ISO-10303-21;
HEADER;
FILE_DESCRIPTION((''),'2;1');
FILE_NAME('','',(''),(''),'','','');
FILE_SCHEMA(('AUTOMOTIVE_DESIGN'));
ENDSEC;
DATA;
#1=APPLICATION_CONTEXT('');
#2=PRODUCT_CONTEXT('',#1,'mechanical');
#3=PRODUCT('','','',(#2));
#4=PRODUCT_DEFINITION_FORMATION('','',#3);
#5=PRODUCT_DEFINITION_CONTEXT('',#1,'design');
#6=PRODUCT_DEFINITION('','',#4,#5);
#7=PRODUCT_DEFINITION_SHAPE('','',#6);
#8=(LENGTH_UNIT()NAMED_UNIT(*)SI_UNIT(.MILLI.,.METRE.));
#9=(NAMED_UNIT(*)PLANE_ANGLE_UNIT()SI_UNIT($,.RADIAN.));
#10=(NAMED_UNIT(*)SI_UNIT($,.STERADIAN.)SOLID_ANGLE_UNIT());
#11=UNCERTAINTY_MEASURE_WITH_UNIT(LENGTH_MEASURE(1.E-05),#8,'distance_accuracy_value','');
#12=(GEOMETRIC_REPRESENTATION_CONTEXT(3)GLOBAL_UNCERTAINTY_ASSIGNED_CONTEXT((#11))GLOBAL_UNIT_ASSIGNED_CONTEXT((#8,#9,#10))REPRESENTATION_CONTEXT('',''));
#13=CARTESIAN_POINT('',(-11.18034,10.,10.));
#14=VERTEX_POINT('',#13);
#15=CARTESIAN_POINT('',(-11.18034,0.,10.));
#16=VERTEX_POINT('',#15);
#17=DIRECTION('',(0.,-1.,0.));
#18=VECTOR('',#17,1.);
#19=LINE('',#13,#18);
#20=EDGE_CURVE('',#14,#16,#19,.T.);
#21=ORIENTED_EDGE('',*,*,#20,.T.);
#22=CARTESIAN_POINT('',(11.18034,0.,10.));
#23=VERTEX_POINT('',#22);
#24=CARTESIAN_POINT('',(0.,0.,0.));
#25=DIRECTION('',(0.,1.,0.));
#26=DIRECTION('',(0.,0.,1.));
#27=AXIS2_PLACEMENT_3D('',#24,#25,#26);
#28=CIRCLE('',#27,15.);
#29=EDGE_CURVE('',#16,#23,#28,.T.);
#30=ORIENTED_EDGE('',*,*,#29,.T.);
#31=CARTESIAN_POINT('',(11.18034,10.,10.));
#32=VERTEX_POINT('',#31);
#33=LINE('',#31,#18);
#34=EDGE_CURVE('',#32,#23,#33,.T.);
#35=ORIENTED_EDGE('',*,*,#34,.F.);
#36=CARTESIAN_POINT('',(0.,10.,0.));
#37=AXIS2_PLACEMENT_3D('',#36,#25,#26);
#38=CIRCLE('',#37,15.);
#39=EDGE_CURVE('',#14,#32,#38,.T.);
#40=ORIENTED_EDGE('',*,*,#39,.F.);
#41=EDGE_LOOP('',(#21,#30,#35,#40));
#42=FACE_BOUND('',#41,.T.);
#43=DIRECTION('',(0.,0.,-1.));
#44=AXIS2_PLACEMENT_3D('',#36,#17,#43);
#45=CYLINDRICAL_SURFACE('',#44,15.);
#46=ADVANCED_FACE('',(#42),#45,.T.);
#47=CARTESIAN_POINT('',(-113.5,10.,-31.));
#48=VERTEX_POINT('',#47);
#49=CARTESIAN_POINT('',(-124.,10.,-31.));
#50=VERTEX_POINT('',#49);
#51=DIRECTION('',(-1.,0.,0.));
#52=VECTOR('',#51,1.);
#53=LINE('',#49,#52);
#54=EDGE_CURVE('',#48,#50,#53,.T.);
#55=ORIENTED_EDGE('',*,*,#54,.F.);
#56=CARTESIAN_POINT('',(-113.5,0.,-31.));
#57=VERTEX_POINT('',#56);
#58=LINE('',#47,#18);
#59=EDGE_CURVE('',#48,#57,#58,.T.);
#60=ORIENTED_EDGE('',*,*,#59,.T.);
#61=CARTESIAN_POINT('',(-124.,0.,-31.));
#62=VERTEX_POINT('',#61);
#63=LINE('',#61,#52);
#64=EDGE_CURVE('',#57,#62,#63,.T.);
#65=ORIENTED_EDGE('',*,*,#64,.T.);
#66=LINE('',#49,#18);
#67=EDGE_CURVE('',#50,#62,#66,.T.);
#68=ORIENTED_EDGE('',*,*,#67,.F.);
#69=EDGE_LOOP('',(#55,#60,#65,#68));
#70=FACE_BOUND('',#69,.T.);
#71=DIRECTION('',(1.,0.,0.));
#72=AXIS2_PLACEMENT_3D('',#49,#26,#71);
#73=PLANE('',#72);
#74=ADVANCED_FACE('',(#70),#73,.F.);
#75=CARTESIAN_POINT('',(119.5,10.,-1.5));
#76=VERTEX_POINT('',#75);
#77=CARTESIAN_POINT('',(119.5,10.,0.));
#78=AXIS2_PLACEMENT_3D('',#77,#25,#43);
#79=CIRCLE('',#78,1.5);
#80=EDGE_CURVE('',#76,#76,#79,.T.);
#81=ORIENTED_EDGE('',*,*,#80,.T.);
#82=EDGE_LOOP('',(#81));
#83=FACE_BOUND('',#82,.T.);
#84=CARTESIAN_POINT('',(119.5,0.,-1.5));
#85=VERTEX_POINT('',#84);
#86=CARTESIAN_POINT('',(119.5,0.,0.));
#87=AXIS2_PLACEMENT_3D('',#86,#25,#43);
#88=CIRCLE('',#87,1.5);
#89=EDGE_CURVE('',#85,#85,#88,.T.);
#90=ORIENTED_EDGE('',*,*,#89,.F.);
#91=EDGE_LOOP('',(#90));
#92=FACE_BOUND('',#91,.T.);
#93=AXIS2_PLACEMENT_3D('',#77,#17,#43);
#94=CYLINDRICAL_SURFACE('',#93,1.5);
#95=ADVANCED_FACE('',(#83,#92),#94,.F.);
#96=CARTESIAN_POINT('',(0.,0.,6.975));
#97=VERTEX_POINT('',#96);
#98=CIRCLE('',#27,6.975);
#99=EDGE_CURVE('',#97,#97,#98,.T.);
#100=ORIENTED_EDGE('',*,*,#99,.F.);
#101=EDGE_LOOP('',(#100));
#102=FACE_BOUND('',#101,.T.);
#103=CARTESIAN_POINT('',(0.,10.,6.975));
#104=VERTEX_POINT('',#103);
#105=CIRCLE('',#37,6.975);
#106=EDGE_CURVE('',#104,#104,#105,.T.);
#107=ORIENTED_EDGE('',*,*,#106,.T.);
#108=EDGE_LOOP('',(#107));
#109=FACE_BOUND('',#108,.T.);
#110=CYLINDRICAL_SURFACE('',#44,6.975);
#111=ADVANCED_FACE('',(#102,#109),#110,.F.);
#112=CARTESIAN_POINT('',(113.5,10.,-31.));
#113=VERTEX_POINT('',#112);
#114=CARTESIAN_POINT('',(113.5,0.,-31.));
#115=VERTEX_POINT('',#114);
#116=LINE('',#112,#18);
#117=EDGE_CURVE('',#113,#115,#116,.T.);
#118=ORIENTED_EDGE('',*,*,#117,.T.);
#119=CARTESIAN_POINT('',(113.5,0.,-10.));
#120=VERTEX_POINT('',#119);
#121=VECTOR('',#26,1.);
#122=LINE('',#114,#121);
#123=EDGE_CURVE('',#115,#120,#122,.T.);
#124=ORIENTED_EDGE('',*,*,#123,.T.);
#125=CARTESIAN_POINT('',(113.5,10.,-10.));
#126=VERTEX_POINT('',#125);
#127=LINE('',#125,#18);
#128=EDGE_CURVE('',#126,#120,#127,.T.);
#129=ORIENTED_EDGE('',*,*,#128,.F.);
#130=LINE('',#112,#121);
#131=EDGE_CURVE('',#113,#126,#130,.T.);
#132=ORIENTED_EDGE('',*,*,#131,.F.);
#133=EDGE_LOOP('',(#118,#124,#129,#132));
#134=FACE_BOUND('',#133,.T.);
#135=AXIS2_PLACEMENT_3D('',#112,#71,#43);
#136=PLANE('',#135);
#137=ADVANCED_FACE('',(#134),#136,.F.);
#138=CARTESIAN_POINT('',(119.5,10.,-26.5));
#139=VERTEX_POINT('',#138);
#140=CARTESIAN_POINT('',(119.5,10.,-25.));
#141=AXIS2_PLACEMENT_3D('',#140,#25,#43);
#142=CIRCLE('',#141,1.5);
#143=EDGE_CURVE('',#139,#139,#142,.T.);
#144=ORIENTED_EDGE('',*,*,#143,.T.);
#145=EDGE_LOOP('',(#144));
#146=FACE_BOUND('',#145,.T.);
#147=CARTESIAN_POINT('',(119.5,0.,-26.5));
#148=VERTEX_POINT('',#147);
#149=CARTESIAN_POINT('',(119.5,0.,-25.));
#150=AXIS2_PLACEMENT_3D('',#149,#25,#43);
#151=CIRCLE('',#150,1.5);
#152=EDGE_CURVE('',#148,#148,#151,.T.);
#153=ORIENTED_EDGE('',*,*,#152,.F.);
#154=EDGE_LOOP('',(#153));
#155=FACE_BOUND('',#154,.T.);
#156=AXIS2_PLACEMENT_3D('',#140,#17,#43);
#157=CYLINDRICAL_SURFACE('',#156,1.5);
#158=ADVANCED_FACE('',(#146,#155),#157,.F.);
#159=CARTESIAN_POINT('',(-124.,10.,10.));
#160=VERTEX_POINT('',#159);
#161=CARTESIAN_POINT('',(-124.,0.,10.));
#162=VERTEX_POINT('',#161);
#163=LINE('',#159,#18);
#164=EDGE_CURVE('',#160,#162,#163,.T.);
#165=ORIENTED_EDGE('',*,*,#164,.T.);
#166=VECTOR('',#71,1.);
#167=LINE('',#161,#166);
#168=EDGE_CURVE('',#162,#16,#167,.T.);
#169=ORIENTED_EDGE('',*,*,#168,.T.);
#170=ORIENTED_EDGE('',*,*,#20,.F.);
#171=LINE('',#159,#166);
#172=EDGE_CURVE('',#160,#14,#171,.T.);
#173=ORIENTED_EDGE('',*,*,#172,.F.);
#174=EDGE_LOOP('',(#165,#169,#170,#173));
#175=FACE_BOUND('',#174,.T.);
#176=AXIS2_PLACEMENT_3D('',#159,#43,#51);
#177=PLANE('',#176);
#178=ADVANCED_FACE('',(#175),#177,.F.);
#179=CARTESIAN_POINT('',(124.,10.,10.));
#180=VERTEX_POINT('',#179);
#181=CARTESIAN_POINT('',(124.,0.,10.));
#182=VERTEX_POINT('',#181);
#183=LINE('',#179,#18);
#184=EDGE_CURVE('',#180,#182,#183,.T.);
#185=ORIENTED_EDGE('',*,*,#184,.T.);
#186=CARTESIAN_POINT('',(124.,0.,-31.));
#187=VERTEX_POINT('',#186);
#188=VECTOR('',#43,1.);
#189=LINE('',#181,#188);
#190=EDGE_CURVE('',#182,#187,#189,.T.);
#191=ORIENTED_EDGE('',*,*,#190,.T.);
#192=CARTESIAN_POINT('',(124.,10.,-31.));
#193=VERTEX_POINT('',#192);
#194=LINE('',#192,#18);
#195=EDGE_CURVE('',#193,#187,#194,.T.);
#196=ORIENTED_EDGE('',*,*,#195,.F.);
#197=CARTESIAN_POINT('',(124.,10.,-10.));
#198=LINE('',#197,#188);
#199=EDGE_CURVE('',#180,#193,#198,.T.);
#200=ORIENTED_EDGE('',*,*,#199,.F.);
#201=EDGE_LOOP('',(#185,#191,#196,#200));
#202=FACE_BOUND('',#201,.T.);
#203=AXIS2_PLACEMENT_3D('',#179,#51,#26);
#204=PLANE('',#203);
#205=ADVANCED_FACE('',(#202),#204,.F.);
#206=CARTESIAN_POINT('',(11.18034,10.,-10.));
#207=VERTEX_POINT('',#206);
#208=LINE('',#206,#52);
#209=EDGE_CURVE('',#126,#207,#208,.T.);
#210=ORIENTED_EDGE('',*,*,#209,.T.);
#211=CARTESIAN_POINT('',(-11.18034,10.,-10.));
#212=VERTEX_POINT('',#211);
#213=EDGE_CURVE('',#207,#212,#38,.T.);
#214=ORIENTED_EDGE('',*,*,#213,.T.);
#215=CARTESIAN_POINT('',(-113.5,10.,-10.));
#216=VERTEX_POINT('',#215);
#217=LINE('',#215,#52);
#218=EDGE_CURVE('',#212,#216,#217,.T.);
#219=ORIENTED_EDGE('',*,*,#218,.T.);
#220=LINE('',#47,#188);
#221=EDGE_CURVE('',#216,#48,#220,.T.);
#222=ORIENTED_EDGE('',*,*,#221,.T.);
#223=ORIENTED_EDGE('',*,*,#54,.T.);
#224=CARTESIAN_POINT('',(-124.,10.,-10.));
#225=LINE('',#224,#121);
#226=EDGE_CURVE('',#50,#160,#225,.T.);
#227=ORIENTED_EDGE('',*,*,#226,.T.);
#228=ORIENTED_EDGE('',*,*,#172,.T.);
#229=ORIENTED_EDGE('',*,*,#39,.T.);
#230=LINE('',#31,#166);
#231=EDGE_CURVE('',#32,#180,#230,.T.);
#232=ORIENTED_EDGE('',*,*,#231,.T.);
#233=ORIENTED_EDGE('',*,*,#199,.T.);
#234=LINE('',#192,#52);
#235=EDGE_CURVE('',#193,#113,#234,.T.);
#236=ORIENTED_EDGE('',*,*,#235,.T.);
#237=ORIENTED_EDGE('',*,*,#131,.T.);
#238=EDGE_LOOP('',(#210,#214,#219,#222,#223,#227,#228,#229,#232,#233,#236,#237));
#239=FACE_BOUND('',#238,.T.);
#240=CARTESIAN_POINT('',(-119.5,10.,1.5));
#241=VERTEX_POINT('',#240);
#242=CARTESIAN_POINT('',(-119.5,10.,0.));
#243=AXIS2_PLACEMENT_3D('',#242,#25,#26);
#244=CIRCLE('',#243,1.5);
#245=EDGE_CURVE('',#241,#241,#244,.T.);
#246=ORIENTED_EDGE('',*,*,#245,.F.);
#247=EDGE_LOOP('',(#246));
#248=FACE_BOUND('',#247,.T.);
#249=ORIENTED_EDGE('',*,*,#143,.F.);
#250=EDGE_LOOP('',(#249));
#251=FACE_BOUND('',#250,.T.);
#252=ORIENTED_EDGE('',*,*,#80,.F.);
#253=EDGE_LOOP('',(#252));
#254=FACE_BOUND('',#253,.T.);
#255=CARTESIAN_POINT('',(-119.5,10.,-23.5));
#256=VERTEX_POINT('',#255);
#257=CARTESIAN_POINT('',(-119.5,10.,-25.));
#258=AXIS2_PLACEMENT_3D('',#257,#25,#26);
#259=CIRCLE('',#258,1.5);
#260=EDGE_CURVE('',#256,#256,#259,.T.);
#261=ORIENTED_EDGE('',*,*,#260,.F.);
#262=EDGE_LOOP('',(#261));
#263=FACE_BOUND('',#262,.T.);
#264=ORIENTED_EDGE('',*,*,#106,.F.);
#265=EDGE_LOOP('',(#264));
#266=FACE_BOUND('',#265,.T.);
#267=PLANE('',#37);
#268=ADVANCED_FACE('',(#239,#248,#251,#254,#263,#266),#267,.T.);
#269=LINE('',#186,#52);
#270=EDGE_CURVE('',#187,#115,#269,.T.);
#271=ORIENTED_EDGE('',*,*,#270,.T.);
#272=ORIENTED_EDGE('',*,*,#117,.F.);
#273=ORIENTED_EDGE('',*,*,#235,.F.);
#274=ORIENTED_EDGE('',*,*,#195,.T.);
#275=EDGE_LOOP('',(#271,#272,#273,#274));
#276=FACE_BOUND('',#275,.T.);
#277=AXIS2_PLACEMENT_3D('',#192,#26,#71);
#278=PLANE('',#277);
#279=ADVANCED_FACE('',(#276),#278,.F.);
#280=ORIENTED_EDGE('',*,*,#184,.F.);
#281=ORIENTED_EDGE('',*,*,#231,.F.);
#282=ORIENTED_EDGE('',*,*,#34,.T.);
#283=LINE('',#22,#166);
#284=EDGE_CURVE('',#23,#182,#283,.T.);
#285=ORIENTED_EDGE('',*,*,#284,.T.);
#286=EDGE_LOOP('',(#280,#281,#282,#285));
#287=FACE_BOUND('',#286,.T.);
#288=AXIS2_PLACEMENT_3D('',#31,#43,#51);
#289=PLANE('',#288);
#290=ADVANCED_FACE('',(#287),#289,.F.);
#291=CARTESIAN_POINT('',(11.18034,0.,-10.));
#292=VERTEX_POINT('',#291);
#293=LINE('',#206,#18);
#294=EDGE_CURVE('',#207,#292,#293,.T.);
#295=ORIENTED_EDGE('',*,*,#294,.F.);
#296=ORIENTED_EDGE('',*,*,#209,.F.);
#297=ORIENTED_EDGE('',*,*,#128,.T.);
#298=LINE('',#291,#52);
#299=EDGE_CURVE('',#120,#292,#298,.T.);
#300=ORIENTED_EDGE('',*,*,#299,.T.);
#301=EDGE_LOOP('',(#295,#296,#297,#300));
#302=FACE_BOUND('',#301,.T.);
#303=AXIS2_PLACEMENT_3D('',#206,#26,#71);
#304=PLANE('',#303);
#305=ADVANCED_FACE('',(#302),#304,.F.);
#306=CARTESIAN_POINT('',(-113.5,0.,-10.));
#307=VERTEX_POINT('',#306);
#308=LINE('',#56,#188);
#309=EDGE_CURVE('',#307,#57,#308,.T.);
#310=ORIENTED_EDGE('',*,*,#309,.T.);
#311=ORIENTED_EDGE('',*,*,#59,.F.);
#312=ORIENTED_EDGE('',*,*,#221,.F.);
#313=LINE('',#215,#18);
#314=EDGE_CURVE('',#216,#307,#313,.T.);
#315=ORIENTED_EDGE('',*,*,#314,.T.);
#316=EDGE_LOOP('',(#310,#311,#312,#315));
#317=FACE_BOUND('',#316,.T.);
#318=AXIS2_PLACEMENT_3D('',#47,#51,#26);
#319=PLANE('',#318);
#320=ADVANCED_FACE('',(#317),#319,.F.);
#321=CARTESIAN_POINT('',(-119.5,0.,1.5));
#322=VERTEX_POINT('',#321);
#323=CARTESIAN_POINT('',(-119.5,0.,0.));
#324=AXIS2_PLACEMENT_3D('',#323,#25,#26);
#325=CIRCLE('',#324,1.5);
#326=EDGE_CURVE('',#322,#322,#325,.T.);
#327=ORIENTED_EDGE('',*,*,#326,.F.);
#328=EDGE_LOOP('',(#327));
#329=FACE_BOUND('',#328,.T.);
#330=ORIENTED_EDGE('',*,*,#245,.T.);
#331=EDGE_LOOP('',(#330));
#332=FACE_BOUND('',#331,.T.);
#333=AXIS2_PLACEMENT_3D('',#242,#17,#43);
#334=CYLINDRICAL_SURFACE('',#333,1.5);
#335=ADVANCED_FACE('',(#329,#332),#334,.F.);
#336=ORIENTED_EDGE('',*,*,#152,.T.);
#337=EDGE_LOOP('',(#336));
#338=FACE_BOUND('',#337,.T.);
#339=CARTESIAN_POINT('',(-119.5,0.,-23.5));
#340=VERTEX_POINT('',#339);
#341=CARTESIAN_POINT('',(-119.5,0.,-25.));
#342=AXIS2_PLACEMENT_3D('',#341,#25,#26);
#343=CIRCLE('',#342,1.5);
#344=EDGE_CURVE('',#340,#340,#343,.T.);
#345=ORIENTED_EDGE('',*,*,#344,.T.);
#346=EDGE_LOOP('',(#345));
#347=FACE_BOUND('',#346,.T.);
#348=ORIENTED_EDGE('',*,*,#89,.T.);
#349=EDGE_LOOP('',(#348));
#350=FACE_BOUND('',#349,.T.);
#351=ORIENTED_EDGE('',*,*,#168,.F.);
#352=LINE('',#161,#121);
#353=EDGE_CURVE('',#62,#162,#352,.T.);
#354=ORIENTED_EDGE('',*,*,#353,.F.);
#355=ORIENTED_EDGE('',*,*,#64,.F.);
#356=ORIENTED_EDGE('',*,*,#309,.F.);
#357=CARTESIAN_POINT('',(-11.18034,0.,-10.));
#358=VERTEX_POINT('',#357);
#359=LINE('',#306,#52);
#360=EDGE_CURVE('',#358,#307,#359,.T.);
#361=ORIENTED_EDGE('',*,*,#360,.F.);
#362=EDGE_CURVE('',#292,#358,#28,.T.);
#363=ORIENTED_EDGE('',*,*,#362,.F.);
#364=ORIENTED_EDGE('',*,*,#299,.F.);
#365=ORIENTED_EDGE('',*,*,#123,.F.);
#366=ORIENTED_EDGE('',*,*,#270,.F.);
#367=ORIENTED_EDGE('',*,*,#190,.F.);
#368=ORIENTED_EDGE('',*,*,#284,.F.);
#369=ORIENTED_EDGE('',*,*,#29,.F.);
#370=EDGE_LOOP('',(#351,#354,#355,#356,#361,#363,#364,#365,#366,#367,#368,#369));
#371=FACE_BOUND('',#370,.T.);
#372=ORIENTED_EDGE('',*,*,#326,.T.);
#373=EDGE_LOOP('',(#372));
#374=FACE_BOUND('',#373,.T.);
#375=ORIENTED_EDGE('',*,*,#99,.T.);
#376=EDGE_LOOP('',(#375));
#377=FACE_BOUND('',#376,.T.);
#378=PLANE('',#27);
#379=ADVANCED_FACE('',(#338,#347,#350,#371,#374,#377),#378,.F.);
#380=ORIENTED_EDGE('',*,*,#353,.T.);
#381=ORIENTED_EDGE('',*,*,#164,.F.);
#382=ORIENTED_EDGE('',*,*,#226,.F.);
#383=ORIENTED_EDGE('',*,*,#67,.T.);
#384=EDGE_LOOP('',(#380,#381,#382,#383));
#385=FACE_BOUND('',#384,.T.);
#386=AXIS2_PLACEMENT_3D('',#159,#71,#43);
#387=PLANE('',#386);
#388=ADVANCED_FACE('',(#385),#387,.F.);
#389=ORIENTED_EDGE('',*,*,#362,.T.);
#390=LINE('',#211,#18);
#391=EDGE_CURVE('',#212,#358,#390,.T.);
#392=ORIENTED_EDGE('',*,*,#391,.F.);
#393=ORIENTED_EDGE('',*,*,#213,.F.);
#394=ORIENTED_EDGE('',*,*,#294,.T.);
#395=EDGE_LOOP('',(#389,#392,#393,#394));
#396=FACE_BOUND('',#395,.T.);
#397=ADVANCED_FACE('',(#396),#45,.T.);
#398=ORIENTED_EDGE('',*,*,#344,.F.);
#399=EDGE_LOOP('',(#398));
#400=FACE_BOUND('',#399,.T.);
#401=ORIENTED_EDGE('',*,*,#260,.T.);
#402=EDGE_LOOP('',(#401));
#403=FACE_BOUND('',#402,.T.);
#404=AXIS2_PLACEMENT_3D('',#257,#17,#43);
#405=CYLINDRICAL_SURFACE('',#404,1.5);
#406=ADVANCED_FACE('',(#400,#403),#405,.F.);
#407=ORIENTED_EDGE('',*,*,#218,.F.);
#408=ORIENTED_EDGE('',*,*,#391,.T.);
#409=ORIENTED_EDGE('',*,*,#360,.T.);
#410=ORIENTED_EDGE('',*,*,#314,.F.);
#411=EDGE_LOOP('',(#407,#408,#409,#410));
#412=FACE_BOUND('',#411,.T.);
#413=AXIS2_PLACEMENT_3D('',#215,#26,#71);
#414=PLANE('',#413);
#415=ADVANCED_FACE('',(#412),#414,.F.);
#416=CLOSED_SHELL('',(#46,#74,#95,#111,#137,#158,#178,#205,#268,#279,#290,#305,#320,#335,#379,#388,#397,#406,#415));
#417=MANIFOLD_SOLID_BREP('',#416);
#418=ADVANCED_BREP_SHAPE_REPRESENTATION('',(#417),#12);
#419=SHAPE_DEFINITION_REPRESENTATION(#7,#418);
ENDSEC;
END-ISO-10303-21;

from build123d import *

# Parameters (mm, degrees)
SKETCH1_R           = 1.5
SKETCH1_R_2         = 6.975
BOSS_EXTRUDE1_DEPTH = 10


with BuildPart() as part:
    # Sketch1 → Boss-Extrude1 (new body)
    with BuildSketch(Plane(origin=(0, 0, 0), x_dir=(1, 0, 0), z_dir=(0, 1, 0))):
        with BuildLine():
            Line((-124, -10), (-11.180339887, -10))
            ThreePointArc((-11.180339887, -10), (0, -15), (11.180339887, -10))
            Line((11.180339887, -10), (124, -10))
            Line((124, -10), (124, 10))
            Line((124, 10), (124, 31))
            Line((124, 31), (113.5, 31))
            Line((113.5, 31), (113.5, 10))
            Line((113.5, 10), (11.180339887, 10))
            ThreePointArc((11.180339887, 10), (0, 15), (-11.180339887, 10))
            Line((-11.180339887, 10), (-113.5, 10))
            Line((-113.5, 10), (-113.5, 31))
            Line((-113.5, 31), (-124, 31))
            Line((-124, 31), (-124, 10))
            Line((-124, 10), (-124, -10))
        make_face()
        with Locations(Location((-119.5, 0, 0), (0, 0, 270))):
            Circle(SKETCH1_R, mode=Mode.SUBTRACT)
        with Locations(Location((119.5, 0, 0), (0, 0, 90))):
            Circle(SKETCH1_R, mode=Mode.SUBTRACT)
        with Locations(Location((0, 0, 0), (0, 0, 270))):
            Circle(SKETCH1_R_2, mode=Mode.SUBTRACT)
        with Locations(Location((-119.5, 25, 0), (0, 0, 270))):
            Circle(SKETCH1_R, mode=Mode.SUBTRACT)
        with Locations(Location((119.5, 25, 0), (0, 0, 90))):
            Circle(SKETCH1_R, mode=Mode.SUBTRACT)
    extrude(amount=BOSS_EXTRUDE1_DEPTH)


solid = part.part
